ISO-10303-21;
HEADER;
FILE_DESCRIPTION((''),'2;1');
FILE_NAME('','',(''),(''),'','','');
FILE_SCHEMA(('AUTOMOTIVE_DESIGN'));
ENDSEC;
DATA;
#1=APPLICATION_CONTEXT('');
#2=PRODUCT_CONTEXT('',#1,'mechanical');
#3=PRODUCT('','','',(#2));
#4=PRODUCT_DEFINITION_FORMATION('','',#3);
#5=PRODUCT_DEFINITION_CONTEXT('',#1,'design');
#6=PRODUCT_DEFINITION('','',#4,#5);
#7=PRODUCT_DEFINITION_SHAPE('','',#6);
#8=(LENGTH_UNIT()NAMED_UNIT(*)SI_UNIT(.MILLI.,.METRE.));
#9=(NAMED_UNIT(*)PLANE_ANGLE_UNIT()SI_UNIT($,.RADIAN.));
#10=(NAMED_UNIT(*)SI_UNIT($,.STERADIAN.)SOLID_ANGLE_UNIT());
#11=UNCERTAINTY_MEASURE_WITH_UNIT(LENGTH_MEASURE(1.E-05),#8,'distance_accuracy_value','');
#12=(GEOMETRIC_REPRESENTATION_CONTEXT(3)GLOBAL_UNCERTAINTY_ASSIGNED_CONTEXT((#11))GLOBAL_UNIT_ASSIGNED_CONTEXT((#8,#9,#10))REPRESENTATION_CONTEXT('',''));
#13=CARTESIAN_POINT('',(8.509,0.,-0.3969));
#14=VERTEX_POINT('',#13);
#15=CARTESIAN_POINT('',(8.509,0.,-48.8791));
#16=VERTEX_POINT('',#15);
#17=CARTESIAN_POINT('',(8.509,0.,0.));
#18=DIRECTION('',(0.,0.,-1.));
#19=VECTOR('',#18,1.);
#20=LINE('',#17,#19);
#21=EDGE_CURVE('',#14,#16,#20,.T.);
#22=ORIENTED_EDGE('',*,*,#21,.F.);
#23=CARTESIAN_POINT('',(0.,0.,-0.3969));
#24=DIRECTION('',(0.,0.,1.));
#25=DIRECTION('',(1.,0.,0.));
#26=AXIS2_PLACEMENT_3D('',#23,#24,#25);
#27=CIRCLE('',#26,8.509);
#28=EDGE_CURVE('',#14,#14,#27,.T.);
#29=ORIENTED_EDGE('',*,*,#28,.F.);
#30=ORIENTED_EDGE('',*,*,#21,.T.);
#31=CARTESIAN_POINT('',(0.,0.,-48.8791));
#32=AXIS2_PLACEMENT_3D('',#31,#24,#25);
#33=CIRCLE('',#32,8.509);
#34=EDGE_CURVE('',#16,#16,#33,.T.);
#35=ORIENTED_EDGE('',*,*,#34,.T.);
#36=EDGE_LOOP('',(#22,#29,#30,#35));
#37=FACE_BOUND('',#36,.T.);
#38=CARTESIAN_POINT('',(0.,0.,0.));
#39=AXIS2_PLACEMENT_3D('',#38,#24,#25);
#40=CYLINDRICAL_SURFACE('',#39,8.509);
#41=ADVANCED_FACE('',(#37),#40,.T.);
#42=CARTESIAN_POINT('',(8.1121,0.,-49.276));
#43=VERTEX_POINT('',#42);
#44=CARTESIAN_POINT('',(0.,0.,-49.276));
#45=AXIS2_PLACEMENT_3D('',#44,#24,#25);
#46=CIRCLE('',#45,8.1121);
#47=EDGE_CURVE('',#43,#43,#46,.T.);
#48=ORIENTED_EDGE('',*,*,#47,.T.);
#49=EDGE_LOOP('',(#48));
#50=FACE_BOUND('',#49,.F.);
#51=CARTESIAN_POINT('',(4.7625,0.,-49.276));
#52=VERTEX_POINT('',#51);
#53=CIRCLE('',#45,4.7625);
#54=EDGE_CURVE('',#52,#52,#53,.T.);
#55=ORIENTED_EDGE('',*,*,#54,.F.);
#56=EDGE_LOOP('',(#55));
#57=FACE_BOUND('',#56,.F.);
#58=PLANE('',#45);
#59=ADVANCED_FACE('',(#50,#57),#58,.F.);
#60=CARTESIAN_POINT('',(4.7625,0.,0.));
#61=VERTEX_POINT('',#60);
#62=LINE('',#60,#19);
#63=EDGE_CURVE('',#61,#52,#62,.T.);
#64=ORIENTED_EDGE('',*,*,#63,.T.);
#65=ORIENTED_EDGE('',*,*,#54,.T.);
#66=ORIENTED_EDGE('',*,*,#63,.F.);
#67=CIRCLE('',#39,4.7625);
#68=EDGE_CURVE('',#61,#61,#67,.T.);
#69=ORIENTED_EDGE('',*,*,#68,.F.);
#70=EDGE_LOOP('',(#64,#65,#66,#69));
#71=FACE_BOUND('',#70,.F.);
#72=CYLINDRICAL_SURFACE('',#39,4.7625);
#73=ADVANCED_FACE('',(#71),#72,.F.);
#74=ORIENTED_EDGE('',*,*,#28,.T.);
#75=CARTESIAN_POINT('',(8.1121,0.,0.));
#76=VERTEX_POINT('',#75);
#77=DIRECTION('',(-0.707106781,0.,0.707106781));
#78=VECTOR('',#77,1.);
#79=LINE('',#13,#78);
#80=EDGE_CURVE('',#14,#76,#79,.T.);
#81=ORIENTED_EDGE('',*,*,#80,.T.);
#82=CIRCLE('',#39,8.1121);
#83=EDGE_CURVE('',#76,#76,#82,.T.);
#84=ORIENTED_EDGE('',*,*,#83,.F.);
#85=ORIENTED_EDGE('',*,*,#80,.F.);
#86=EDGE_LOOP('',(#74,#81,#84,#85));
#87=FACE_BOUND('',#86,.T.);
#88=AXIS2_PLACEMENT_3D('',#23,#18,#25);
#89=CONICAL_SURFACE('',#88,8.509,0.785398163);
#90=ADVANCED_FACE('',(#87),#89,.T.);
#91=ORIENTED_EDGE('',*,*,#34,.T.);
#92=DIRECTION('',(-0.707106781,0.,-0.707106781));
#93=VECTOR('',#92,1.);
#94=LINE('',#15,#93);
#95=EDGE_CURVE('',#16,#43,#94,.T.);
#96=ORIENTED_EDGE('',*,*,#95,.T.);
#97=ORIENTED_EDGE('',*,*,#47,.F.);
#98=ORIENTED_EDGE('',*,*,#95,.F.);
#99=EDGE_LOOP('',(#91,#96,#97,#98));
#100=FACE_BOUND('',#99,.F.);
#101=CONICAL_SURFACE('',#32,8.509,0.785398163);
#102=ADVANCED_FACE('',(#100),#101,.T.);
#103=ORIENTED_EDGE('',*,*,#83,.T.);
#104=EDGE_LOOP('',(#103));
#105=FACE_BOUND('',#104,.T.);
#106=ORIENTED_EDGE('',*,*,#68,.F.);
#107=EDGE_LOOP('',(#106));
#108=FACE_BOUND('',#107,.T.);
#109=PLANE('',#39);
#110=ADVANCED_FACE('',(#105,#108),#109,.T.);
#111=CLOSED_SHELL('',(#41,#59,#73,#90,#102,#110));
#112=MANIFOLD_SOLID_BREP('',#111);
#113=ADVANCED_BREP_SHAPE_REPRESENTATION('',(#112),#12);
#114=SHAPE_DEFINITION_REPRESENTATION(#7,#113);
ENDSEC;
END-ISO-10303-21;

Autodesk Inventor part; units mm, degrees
ref_plane "YZ Plane" through (0, 0, 0) normal (1, 0, 0) x (0, 1, 0)
ref_plane "XZ Plane" through (0, 0, 0) normal (0, 1, 0) x (-1, 0, 0)
ref_plane "XY Plane" through (0, 0, 0) normal (0, 0, 1) x (1, 0, 0)
sketch "Sketch1" plane through (0, 0, 0) normal (0, 0, 1) x (1, 0, 0)
  circle A0 centre (0, 0) radius 4.7625
  circle A1 centre (0, 0) radius 8.509
  dimension "d0" = 9.525
  dimension "d1" = 17.018
extrude "Extrusion1" add sketch "Sketch1" against normal blind 49.276
chamfer "Chamfer1" distance 0.3969 angle 45 2 edges at (-8.509, 0, 0) (-8.509, 0, -49.276)
properties part number "Chassis_Spacer_1940x375_AndyMark_am-0754"
